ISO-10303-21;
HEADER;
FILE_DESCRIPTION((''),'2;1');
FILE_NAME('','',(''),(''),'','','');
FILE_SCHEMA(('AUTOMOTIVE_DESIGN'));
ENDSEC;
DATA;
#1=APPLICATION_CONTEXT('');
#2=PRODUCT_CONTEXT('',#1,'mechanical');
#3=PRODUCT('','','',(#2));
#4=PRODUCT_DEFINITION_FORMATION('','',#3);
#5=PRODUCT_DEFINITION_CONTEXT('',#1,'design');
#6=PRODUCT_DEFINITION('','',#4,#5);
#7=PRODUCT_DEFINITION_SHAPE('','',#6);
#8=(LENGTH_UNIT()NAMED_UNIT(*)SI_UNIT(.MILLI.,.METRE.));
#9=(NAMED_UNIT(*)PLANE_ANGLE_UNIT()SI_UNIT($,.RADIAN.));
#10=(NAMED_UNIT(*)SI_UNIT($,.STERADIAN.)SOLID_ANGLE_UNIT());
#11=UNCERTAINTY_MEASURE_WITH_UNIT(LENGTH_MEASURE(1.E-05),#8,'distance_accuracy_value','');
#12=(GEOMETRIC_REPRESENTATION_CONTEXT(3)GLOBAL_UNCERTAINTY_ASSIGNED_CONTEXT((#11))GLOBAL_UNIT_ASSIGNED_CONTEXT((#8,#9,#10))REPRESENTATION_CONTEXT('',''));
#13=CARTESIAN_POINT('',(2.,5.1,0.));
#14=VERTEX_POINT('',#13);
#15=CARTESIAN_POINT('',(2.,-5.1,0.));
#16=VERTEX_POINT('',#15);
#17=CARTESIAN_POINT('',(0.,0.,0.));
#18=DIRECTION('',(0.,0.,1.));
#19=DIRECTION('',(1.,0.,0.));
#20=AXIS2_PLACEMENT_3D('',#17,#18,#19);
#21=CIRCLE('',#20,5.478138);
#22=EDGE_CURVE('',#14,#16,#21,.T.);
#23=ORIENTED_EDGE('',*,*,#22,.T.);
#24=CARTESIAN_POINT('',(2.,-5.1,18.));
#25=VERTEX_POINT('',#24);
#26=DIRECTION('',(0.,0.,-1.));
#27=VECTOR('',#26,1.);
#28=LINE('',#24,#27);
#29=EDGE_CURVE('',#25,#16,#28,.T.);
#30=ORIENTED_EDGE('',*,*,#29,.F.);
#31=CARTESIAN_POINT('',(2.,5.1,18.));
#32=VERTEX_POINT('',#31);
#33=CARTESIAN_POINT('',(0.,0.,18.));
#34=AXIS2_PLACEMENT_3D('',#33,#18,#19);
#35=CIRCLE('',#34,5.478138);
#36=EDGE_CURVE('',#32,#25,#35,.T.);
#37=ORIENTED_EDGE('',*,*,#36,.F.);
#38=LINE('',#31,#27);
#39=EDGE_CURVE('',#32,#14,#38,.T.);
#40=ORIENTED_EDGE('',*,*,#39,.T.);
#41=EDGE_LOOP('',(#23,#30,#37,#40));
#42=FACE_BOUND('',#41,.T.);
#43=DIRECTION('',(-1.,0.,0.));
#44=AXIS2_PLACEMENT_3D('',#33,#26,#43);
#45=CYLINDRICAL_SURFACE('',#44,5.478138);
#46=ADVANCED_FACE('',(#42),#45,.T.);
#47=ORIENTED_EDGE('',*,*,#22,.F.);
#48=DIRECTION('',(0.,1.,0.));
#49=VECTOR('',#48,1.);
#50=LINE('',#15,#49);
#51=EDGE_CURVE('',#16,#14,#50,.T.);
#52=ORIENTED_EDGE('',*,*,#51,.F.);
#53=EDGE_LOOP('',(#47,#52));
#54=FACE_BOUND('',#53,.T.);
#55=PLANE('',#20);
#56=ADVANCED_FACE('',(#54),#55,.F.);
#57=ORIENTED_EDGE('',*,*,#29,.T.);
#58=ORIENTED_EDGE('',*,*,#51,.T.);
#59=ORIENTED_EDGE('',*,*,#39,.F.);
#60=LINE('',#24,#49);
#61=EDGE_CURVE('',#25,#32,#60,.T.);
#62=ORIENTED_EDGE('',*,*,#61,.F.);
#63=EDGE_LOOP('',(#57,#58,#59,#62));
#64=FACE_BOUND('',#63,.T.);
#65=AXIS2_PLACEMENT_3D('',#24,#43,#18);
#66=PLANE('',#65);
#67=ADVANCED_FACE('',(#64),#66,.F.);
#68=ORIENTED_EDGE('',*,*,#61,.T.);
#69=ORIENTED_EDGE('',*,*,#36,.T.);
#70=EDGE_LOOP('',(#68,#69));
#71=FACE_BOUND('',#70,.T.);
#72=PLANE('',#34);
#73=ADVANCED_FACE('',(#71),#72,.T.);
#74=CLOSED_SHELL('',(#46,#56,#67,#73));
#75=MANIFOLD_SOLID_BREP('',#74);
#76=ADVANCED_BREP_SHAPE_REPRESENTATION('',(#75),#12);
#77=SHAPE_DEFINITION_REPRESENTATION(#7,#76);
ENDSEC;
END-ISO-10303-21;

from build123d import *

# Parameters (mm, degrees)
EXTRUDE_1_DEPTH = 18


with BuildPart() as part:
    # 草图1 → 凸台-拉伸1 (new body)
    with BuildSketch(Plane.XY):
        with BuildLine():
            Line((2, -5.1), (2, 5.1))
            ThreePointArc((2, 5.1), (-5.47813837, 0), (2, -5.1))
        make_face()
    extrude(amount=EXTRUDE_1_DEPTH)


solid = part.part
